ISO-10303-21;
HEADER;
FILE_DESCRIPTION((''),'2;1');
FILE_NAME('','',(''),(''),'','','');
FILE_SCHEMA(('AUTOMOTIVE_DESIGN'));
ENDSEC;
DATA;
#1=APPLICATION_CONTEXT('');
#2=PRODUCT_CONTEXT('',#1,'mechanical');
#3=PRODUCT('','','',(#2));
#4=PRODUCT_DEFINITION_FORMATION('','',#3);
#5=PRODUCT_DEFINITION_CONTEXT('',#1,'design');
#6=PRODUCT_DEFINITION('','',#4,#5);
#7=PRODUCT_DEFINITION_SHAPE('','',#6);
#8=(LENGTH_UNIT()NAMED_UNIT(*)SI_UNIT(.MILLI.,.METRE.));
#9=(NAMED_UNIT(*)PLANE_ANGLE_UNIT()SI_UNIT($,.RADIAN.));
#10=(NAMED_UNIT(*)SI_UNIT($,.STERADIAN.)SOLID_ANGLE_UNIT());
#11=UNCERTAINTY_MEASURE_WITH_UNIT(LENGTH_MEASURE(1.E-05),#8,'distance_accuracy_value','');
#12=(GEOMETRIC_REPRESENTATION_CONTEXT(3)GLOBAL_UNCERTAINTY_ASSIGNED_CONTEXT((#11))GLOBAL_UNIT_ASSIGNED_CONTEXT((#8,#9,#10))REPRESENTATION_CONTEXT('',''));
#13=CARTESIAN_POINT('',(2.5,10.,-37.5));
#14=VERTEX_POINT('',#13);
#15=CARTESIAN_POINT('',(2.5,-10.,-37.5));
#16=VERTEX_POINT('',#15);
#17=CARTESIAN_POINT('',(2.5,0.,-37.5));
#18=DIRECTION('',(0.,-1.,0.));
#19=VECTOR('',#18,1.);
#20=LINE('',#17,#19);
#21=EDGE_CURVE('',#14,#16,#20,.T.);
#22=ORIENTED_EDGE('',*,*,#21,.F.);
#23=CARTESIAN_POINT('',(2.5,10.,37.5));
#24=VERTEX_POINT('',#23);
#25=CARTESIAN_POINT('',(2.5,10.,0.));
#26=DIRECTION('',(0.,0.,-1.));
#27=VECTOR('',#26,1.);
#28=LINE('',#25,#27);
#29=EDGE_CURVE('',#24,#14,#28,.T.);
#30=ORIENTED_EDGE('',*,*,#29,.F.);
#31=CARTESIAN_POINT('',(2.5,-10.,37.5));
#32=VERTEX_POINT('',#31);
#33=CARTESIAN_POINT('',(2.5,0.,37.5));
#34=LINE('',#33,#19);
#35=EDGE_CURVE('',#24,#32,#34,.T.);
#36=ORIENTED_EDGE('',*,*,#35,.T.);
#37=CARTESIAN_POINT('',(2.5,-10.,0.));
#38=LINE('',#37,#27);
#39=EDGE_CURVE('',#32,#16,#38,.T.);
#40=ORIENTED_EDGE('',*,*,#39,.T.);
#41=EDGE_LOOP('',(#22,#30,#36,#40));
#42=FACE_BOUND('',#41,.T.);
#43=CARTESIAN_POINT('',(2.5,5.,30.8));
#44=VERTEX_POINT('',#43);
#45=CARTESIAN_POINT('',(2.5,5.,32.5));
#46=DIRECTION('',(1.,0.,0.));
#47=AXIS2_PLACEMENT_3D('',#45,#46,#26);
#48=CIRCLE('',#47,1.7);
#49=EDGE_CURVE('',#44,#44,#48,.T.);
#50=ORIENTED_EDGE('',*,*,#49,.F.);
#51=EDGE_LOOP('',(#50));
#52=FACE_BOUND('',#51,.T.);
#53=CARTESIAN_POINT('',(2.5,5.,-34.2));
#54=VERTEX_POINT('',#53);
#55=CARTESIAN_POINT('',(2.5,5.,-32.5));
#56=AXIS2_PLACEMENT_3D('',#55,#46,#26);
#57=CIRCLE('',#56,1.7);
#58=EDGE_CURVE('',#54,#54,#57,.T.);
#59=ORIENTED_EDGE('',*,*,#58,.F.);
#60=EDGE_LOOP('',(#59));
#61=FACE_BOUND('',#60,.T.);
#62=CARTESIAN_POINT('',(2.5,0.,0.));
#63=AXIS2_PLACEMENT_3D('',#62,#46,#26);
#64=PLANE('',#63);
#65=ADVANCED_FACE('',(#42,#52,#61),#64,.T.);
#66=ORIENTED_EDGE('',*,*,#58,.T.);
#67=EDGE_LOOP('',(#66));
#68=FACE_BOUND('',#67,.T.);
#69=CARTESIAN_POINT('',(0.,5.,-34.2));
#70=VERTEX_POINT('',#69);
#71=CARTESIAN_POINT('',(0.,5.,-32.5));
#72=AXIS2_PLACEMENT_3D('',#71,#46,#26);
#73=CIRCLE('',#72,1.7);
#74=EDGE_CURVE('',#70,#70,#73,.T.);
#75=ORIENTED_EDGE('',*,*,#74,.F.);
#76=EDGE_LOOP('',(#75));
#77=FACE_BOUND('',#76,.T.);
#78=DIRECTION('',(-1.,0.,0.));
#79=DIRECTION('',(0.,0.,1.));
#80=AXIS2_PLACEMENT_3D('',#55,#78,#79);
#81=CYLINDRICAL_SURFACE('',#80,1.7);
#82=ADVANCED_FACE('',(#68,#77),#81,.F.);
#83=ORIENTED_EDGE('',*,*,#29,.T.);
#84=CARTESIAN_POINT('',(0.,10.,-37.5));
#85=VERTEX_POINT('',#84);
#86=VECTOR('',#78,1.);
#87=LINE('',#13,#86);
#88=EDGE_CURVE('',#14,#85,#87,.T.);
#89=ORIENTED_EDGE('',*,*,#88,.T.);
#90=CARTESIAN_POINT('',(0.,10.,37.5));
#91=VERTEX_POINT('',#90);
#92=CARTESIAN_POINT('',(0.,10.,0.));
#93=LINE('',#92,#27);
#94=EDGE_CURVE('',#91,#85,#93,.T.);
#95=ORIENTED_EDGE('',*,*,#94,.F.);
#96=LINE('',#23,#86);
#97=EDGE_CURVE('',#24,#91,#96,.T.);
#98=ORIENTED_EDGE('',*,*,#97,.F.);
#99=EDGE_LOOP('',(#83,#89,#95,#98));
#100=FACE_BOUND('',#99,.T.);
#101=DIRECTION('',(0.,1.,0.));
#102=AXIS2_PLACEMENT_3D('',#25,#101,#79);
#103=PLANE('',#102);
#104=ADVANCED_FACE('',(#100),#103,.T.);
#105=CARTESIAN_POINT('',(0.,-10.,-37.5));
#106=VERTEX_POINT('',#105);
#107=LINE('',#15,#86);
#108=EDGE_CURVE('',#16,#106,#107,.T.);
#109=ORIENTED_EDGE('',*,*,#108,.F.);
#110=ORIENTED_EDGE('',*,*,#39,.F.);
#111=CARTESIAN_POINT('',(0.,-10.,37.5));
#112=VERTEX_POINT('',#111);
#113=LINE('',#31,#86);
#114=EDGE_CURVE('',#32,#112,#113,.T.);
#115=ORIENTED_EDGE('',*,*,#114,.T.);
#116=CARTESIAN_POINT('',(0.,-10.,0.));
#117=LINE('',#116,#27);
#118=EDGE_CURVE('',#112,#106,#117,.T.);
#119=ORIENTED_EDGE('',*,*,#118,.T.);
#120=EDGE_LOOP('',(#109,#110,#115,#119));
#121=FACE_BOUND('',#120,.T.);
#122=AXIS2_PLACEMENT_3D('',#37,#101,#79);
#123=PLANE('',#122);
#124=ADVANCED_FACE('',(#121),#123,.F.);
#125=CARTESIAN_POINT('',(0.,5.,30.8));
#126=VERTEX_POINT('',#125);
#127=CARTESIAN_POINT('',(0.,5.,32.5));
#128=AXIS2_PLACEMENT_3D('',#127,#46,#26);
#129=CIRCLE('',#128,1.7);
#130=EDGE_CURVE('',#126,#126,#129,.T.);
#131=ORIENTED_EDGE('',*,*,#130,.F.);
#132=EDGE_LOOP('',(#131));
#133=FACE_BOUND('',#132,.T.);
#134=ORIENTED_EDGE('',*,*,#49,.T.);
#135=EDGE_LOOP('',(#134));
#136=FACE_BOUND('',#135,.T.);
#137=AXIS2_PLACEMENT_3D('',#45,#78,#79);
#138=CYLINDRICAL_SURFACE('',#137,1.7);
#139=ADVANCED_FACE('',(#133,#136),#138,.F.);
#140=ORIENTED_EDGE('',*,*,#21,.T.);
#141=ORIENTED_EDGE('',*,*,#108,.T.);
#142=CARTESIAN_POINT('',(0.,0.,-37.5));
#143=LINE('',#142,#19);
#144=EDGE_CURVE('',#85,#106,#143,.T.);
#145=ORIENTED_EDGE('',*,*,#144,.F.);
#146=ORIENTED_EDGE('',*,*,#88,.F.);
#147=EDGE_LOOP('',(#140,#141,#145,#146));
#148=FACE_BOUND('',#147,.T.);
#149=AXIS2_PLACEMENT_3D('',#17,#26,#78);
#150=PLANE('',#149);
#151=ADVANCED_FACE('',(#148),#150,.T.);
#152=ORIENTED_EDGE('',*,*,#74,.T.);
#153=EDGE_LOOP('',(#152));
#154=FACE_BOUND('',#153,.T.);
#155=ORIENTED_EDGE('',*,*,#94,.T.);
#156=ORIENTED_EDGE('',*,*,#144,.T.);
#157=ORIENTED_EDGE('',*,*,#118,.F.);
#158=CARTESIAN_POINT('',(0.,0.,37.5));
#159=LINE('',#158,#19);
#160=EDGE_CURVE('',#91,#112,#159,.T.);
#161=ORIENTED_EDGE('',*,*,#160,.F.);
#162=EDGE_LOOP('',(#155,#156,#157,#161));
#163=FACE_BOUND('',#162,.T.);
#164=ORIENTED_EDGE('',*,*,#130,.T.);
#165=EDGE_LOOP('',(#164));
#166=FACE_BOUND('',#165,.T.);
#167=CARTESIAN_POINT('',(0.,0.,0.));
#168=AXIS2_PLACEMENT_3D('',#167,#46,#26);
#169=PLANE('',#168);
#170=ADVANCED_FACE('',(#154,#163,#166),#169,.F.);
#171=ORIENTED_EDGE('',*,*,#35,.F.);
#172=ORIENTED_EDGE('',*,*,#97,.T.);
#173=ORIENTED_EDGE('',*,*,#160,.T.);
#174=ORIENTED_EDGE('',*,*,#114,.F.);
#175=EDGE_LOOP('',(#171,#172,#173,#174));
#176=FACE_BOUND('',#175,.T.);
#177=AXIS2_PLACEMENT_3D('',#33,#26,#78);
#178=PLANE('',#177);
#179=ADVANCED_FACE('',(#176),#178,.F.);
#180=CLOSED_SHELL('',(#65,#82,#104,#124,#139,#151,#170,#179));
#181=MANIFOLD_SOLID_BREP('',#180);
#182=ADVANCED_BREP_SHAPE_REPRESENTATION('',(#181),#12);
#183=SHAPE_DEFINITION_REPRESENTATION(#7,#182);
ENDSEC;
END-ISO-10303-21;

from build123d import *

# Parameters (mm, degrees)
SKETCH1_W           = 75
SKETCH1_H           = 10
BOSS_EXTRUDE1_DEPTH = 2.5


with BuildPart() as part:
    # Sketch1 → Boss-Extrude1 (new body)
    with BuildSketch(Plane(origin=(0, 0, 0), x_dir=(0, 0, -1), z_dir=(1, 0, 0))):
        with BuildLine():
            Line((34.2, 5), (37.5, 5))
            Line((37.5, 5), (37.5, 10))
            Line((37.5, 10), (-37.5, 10))
            Line((-37.5, 10), (-37.5, 5))
            Line((-37.5, 5), (-34.2, 5))
            ThreePointArc((-34.2, 5), (-32.5, 6.7), (-30.8, 5))
            Line((-30.8, 5), (30.8, 5))
            ThreePointArc((30.8, 5), (32.5, 6.7), (34.2, 5))
        make_face()
        with BuildLine():
            Line((-37.5, 0), (37.5, 0))
            Line((37.5, 0), (37.5, 5))
            Line((37.5, 5), (34.2, 5))
            ThreePointArc((34.2, 5), (32.5, 3.3), (30.8, 5))
            Line((30.8, 5), (-30.8, 5))
            ThreePointArc((-30.8, 5), (-32.5, 3.3), (-34.2, 5))
            Line((-34.2, 5), (-37.5, 5))
            Line((-37.5, 5), (-37.5, 0))
        make_face()
        with Locations((0, -5)):
            Rectangle(SKETCH1_W, SKETCH1_H)
    extrude(amount=BOSS_EXTRUDE1_DEPTH)


solid = part.part
